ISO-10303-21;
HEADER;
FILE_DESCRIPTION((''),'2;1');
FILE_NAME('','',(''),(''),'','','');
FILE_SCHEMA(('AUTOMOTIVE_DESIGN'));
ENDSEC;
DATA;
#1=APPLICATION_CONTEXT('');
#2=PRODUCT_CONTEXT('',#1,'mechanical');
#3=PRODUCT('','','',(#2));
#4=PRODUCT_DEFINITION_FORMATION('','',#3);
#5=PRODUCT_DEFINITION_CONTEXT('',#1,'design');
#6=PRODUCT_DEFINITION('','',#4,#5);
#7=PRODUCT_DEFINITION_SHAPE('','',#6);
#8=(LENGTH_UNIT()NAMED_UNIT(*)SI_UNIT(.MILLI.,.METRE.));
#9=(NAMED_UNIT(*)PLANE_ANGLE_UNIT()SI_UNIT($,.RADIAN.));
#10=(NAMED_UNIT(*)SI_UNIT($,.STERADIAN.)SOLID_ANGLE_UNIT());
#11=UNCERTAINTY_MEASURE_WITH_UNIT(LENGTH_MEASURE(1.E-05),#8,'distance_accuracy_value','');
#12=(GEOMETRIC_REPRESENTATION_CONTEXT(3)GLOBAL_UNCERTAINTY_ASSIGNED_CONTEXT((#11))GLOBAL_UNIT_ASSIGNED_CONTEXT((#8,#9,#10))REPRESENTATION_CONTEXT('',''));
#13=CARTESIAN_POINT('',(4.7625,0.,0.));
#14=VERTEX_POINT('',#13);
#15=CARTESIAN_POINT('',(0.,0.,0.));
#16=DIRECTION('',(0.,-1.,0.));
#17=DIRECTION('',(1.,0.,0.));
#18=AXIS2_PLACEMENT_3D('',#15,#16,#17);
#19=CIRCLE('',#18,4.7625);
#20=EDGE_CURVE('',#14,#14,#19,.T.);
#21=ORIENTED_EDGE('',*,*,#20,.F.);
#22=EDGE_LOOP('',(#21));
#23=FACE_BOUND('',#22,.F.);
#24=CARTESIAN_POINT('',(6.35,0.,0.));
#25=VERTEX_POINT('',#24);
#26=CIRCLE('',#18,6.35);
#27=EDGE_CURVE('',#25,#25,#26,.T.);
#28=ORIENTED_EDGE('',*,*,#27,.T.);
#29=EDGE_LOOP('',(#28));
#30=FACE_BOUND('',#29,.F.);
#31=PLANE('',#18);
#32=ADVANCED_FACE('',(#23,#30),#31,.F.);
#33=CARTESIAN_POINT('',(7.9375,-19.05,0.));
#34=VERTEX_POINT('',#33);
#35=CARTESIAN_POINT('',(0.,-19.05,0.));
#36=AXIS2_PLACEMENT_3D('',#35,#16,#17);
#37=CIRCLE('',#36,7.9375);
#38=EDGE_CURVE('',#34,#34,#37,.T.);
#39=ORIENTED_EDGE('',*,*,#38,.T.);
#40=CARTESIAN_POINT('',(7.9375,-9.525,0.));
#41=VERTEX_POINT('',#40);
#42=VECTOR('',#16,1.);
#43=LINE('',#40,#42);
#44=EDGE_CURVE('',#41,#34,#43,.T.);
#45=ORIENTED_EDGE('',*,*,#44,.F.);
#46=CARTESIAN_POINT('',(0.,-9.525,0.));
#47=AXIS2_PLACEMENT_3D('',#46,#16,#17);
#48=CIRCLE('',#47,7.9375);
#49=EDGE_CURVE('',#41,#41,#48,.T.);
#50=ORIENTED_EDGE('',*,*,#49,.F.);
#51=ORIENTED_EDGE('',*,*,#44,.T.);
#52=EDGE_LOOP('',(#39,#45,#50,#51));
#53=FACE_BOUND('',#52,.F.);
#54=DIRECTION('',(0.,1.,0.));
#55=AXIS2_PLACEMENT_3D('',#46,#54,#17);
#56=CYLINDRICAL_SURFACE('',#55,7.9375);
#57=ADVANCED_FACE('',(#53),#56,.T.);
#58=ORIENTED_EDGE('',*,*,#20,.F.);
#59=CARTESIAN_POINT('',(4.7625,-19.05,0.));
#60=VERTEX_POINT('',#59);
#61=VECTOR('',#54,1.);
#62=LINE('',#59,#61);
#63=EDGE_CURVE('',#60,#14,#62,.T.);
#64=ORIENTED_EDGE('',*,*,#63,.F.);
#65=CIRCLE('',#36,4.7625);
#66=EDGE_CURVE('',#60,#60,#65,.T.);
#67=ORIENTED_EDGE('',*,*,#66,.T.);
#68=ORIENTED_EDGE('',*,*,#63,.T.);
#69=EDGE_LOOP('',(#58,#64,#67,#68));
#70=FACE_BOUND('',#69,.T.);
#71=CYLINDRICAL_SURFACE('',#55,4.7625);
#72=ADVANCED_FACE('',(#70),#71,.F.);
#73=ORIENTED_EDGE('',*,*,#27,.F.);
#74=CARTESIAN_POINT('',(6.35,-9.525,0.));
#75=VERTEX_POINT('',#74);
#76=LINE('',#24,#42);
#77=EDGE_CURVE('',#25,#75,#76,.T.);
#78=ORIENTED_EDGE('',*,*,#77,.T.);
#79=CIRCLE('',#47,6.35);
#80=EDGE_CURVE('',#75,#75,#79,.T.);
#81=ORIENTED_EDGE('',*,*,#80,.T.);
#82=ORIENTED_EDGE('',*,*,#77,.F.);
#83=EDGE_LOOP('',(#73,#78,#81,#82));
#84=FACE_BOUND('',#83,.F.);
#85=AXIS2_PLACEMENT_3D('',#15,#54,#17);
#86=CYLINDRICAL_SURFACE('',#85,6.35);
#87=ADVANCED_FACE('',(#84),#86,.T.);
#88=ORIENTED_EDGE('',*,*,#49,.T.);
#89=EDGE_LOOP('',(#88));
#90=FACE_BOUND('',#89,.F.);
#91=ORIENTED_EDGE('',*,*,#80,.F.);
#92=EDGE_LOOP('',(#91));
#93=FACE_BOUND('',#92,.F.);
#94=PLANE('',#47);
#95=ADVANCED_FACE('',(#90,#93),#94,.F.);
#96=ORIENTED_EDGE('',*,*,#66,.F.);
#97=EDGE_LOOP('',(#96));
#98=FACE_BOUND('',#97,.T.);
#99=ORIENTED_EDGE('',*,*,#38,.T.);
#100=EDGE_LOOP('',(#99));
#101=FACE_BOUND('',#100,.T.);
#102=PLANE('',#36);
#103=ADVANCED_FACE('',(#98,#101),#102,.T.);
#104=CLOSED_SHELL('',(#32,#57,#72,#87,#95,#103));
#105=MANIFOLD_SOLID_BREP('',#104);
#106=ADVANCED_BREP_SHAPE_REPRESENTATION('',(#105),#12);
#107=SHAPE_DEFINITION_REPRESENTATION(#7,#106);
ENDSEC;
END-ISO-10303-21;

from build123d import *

# Parameters (mm, degrees)
F0_R     = 6.35
F0_R_2   = 4.7625
F1_DEPTH = 9.525
F2_R     = 7.9375
F2_R_2   = 6.35
F2_R_3   = 4.7625
F3_DEPTH = 9.525


with BuildPart() as f1:
    # F0 (on Front) → F1 (new body)
    with BuildSketch(Plane.XZ):
        Circle(F0_R)
        Circle(F0_R_2, mode=Mode.SUBTRACT)
    extrude(amount=F1_DEPTH)

    # F2 (on face) → F3 (join)
    with BuildSketch(Plane.XZ.offset(9.525)):
        Circle(F2_R)
        Circle(F2_R_2, mode=Mode.SUBTRACT)
        Circle(F2_R_2)
        Circle(F2_R_3, mode=Mode.SUBTRACT)
    extrude(amount=F3_DEPTH)


solid = f1.part
